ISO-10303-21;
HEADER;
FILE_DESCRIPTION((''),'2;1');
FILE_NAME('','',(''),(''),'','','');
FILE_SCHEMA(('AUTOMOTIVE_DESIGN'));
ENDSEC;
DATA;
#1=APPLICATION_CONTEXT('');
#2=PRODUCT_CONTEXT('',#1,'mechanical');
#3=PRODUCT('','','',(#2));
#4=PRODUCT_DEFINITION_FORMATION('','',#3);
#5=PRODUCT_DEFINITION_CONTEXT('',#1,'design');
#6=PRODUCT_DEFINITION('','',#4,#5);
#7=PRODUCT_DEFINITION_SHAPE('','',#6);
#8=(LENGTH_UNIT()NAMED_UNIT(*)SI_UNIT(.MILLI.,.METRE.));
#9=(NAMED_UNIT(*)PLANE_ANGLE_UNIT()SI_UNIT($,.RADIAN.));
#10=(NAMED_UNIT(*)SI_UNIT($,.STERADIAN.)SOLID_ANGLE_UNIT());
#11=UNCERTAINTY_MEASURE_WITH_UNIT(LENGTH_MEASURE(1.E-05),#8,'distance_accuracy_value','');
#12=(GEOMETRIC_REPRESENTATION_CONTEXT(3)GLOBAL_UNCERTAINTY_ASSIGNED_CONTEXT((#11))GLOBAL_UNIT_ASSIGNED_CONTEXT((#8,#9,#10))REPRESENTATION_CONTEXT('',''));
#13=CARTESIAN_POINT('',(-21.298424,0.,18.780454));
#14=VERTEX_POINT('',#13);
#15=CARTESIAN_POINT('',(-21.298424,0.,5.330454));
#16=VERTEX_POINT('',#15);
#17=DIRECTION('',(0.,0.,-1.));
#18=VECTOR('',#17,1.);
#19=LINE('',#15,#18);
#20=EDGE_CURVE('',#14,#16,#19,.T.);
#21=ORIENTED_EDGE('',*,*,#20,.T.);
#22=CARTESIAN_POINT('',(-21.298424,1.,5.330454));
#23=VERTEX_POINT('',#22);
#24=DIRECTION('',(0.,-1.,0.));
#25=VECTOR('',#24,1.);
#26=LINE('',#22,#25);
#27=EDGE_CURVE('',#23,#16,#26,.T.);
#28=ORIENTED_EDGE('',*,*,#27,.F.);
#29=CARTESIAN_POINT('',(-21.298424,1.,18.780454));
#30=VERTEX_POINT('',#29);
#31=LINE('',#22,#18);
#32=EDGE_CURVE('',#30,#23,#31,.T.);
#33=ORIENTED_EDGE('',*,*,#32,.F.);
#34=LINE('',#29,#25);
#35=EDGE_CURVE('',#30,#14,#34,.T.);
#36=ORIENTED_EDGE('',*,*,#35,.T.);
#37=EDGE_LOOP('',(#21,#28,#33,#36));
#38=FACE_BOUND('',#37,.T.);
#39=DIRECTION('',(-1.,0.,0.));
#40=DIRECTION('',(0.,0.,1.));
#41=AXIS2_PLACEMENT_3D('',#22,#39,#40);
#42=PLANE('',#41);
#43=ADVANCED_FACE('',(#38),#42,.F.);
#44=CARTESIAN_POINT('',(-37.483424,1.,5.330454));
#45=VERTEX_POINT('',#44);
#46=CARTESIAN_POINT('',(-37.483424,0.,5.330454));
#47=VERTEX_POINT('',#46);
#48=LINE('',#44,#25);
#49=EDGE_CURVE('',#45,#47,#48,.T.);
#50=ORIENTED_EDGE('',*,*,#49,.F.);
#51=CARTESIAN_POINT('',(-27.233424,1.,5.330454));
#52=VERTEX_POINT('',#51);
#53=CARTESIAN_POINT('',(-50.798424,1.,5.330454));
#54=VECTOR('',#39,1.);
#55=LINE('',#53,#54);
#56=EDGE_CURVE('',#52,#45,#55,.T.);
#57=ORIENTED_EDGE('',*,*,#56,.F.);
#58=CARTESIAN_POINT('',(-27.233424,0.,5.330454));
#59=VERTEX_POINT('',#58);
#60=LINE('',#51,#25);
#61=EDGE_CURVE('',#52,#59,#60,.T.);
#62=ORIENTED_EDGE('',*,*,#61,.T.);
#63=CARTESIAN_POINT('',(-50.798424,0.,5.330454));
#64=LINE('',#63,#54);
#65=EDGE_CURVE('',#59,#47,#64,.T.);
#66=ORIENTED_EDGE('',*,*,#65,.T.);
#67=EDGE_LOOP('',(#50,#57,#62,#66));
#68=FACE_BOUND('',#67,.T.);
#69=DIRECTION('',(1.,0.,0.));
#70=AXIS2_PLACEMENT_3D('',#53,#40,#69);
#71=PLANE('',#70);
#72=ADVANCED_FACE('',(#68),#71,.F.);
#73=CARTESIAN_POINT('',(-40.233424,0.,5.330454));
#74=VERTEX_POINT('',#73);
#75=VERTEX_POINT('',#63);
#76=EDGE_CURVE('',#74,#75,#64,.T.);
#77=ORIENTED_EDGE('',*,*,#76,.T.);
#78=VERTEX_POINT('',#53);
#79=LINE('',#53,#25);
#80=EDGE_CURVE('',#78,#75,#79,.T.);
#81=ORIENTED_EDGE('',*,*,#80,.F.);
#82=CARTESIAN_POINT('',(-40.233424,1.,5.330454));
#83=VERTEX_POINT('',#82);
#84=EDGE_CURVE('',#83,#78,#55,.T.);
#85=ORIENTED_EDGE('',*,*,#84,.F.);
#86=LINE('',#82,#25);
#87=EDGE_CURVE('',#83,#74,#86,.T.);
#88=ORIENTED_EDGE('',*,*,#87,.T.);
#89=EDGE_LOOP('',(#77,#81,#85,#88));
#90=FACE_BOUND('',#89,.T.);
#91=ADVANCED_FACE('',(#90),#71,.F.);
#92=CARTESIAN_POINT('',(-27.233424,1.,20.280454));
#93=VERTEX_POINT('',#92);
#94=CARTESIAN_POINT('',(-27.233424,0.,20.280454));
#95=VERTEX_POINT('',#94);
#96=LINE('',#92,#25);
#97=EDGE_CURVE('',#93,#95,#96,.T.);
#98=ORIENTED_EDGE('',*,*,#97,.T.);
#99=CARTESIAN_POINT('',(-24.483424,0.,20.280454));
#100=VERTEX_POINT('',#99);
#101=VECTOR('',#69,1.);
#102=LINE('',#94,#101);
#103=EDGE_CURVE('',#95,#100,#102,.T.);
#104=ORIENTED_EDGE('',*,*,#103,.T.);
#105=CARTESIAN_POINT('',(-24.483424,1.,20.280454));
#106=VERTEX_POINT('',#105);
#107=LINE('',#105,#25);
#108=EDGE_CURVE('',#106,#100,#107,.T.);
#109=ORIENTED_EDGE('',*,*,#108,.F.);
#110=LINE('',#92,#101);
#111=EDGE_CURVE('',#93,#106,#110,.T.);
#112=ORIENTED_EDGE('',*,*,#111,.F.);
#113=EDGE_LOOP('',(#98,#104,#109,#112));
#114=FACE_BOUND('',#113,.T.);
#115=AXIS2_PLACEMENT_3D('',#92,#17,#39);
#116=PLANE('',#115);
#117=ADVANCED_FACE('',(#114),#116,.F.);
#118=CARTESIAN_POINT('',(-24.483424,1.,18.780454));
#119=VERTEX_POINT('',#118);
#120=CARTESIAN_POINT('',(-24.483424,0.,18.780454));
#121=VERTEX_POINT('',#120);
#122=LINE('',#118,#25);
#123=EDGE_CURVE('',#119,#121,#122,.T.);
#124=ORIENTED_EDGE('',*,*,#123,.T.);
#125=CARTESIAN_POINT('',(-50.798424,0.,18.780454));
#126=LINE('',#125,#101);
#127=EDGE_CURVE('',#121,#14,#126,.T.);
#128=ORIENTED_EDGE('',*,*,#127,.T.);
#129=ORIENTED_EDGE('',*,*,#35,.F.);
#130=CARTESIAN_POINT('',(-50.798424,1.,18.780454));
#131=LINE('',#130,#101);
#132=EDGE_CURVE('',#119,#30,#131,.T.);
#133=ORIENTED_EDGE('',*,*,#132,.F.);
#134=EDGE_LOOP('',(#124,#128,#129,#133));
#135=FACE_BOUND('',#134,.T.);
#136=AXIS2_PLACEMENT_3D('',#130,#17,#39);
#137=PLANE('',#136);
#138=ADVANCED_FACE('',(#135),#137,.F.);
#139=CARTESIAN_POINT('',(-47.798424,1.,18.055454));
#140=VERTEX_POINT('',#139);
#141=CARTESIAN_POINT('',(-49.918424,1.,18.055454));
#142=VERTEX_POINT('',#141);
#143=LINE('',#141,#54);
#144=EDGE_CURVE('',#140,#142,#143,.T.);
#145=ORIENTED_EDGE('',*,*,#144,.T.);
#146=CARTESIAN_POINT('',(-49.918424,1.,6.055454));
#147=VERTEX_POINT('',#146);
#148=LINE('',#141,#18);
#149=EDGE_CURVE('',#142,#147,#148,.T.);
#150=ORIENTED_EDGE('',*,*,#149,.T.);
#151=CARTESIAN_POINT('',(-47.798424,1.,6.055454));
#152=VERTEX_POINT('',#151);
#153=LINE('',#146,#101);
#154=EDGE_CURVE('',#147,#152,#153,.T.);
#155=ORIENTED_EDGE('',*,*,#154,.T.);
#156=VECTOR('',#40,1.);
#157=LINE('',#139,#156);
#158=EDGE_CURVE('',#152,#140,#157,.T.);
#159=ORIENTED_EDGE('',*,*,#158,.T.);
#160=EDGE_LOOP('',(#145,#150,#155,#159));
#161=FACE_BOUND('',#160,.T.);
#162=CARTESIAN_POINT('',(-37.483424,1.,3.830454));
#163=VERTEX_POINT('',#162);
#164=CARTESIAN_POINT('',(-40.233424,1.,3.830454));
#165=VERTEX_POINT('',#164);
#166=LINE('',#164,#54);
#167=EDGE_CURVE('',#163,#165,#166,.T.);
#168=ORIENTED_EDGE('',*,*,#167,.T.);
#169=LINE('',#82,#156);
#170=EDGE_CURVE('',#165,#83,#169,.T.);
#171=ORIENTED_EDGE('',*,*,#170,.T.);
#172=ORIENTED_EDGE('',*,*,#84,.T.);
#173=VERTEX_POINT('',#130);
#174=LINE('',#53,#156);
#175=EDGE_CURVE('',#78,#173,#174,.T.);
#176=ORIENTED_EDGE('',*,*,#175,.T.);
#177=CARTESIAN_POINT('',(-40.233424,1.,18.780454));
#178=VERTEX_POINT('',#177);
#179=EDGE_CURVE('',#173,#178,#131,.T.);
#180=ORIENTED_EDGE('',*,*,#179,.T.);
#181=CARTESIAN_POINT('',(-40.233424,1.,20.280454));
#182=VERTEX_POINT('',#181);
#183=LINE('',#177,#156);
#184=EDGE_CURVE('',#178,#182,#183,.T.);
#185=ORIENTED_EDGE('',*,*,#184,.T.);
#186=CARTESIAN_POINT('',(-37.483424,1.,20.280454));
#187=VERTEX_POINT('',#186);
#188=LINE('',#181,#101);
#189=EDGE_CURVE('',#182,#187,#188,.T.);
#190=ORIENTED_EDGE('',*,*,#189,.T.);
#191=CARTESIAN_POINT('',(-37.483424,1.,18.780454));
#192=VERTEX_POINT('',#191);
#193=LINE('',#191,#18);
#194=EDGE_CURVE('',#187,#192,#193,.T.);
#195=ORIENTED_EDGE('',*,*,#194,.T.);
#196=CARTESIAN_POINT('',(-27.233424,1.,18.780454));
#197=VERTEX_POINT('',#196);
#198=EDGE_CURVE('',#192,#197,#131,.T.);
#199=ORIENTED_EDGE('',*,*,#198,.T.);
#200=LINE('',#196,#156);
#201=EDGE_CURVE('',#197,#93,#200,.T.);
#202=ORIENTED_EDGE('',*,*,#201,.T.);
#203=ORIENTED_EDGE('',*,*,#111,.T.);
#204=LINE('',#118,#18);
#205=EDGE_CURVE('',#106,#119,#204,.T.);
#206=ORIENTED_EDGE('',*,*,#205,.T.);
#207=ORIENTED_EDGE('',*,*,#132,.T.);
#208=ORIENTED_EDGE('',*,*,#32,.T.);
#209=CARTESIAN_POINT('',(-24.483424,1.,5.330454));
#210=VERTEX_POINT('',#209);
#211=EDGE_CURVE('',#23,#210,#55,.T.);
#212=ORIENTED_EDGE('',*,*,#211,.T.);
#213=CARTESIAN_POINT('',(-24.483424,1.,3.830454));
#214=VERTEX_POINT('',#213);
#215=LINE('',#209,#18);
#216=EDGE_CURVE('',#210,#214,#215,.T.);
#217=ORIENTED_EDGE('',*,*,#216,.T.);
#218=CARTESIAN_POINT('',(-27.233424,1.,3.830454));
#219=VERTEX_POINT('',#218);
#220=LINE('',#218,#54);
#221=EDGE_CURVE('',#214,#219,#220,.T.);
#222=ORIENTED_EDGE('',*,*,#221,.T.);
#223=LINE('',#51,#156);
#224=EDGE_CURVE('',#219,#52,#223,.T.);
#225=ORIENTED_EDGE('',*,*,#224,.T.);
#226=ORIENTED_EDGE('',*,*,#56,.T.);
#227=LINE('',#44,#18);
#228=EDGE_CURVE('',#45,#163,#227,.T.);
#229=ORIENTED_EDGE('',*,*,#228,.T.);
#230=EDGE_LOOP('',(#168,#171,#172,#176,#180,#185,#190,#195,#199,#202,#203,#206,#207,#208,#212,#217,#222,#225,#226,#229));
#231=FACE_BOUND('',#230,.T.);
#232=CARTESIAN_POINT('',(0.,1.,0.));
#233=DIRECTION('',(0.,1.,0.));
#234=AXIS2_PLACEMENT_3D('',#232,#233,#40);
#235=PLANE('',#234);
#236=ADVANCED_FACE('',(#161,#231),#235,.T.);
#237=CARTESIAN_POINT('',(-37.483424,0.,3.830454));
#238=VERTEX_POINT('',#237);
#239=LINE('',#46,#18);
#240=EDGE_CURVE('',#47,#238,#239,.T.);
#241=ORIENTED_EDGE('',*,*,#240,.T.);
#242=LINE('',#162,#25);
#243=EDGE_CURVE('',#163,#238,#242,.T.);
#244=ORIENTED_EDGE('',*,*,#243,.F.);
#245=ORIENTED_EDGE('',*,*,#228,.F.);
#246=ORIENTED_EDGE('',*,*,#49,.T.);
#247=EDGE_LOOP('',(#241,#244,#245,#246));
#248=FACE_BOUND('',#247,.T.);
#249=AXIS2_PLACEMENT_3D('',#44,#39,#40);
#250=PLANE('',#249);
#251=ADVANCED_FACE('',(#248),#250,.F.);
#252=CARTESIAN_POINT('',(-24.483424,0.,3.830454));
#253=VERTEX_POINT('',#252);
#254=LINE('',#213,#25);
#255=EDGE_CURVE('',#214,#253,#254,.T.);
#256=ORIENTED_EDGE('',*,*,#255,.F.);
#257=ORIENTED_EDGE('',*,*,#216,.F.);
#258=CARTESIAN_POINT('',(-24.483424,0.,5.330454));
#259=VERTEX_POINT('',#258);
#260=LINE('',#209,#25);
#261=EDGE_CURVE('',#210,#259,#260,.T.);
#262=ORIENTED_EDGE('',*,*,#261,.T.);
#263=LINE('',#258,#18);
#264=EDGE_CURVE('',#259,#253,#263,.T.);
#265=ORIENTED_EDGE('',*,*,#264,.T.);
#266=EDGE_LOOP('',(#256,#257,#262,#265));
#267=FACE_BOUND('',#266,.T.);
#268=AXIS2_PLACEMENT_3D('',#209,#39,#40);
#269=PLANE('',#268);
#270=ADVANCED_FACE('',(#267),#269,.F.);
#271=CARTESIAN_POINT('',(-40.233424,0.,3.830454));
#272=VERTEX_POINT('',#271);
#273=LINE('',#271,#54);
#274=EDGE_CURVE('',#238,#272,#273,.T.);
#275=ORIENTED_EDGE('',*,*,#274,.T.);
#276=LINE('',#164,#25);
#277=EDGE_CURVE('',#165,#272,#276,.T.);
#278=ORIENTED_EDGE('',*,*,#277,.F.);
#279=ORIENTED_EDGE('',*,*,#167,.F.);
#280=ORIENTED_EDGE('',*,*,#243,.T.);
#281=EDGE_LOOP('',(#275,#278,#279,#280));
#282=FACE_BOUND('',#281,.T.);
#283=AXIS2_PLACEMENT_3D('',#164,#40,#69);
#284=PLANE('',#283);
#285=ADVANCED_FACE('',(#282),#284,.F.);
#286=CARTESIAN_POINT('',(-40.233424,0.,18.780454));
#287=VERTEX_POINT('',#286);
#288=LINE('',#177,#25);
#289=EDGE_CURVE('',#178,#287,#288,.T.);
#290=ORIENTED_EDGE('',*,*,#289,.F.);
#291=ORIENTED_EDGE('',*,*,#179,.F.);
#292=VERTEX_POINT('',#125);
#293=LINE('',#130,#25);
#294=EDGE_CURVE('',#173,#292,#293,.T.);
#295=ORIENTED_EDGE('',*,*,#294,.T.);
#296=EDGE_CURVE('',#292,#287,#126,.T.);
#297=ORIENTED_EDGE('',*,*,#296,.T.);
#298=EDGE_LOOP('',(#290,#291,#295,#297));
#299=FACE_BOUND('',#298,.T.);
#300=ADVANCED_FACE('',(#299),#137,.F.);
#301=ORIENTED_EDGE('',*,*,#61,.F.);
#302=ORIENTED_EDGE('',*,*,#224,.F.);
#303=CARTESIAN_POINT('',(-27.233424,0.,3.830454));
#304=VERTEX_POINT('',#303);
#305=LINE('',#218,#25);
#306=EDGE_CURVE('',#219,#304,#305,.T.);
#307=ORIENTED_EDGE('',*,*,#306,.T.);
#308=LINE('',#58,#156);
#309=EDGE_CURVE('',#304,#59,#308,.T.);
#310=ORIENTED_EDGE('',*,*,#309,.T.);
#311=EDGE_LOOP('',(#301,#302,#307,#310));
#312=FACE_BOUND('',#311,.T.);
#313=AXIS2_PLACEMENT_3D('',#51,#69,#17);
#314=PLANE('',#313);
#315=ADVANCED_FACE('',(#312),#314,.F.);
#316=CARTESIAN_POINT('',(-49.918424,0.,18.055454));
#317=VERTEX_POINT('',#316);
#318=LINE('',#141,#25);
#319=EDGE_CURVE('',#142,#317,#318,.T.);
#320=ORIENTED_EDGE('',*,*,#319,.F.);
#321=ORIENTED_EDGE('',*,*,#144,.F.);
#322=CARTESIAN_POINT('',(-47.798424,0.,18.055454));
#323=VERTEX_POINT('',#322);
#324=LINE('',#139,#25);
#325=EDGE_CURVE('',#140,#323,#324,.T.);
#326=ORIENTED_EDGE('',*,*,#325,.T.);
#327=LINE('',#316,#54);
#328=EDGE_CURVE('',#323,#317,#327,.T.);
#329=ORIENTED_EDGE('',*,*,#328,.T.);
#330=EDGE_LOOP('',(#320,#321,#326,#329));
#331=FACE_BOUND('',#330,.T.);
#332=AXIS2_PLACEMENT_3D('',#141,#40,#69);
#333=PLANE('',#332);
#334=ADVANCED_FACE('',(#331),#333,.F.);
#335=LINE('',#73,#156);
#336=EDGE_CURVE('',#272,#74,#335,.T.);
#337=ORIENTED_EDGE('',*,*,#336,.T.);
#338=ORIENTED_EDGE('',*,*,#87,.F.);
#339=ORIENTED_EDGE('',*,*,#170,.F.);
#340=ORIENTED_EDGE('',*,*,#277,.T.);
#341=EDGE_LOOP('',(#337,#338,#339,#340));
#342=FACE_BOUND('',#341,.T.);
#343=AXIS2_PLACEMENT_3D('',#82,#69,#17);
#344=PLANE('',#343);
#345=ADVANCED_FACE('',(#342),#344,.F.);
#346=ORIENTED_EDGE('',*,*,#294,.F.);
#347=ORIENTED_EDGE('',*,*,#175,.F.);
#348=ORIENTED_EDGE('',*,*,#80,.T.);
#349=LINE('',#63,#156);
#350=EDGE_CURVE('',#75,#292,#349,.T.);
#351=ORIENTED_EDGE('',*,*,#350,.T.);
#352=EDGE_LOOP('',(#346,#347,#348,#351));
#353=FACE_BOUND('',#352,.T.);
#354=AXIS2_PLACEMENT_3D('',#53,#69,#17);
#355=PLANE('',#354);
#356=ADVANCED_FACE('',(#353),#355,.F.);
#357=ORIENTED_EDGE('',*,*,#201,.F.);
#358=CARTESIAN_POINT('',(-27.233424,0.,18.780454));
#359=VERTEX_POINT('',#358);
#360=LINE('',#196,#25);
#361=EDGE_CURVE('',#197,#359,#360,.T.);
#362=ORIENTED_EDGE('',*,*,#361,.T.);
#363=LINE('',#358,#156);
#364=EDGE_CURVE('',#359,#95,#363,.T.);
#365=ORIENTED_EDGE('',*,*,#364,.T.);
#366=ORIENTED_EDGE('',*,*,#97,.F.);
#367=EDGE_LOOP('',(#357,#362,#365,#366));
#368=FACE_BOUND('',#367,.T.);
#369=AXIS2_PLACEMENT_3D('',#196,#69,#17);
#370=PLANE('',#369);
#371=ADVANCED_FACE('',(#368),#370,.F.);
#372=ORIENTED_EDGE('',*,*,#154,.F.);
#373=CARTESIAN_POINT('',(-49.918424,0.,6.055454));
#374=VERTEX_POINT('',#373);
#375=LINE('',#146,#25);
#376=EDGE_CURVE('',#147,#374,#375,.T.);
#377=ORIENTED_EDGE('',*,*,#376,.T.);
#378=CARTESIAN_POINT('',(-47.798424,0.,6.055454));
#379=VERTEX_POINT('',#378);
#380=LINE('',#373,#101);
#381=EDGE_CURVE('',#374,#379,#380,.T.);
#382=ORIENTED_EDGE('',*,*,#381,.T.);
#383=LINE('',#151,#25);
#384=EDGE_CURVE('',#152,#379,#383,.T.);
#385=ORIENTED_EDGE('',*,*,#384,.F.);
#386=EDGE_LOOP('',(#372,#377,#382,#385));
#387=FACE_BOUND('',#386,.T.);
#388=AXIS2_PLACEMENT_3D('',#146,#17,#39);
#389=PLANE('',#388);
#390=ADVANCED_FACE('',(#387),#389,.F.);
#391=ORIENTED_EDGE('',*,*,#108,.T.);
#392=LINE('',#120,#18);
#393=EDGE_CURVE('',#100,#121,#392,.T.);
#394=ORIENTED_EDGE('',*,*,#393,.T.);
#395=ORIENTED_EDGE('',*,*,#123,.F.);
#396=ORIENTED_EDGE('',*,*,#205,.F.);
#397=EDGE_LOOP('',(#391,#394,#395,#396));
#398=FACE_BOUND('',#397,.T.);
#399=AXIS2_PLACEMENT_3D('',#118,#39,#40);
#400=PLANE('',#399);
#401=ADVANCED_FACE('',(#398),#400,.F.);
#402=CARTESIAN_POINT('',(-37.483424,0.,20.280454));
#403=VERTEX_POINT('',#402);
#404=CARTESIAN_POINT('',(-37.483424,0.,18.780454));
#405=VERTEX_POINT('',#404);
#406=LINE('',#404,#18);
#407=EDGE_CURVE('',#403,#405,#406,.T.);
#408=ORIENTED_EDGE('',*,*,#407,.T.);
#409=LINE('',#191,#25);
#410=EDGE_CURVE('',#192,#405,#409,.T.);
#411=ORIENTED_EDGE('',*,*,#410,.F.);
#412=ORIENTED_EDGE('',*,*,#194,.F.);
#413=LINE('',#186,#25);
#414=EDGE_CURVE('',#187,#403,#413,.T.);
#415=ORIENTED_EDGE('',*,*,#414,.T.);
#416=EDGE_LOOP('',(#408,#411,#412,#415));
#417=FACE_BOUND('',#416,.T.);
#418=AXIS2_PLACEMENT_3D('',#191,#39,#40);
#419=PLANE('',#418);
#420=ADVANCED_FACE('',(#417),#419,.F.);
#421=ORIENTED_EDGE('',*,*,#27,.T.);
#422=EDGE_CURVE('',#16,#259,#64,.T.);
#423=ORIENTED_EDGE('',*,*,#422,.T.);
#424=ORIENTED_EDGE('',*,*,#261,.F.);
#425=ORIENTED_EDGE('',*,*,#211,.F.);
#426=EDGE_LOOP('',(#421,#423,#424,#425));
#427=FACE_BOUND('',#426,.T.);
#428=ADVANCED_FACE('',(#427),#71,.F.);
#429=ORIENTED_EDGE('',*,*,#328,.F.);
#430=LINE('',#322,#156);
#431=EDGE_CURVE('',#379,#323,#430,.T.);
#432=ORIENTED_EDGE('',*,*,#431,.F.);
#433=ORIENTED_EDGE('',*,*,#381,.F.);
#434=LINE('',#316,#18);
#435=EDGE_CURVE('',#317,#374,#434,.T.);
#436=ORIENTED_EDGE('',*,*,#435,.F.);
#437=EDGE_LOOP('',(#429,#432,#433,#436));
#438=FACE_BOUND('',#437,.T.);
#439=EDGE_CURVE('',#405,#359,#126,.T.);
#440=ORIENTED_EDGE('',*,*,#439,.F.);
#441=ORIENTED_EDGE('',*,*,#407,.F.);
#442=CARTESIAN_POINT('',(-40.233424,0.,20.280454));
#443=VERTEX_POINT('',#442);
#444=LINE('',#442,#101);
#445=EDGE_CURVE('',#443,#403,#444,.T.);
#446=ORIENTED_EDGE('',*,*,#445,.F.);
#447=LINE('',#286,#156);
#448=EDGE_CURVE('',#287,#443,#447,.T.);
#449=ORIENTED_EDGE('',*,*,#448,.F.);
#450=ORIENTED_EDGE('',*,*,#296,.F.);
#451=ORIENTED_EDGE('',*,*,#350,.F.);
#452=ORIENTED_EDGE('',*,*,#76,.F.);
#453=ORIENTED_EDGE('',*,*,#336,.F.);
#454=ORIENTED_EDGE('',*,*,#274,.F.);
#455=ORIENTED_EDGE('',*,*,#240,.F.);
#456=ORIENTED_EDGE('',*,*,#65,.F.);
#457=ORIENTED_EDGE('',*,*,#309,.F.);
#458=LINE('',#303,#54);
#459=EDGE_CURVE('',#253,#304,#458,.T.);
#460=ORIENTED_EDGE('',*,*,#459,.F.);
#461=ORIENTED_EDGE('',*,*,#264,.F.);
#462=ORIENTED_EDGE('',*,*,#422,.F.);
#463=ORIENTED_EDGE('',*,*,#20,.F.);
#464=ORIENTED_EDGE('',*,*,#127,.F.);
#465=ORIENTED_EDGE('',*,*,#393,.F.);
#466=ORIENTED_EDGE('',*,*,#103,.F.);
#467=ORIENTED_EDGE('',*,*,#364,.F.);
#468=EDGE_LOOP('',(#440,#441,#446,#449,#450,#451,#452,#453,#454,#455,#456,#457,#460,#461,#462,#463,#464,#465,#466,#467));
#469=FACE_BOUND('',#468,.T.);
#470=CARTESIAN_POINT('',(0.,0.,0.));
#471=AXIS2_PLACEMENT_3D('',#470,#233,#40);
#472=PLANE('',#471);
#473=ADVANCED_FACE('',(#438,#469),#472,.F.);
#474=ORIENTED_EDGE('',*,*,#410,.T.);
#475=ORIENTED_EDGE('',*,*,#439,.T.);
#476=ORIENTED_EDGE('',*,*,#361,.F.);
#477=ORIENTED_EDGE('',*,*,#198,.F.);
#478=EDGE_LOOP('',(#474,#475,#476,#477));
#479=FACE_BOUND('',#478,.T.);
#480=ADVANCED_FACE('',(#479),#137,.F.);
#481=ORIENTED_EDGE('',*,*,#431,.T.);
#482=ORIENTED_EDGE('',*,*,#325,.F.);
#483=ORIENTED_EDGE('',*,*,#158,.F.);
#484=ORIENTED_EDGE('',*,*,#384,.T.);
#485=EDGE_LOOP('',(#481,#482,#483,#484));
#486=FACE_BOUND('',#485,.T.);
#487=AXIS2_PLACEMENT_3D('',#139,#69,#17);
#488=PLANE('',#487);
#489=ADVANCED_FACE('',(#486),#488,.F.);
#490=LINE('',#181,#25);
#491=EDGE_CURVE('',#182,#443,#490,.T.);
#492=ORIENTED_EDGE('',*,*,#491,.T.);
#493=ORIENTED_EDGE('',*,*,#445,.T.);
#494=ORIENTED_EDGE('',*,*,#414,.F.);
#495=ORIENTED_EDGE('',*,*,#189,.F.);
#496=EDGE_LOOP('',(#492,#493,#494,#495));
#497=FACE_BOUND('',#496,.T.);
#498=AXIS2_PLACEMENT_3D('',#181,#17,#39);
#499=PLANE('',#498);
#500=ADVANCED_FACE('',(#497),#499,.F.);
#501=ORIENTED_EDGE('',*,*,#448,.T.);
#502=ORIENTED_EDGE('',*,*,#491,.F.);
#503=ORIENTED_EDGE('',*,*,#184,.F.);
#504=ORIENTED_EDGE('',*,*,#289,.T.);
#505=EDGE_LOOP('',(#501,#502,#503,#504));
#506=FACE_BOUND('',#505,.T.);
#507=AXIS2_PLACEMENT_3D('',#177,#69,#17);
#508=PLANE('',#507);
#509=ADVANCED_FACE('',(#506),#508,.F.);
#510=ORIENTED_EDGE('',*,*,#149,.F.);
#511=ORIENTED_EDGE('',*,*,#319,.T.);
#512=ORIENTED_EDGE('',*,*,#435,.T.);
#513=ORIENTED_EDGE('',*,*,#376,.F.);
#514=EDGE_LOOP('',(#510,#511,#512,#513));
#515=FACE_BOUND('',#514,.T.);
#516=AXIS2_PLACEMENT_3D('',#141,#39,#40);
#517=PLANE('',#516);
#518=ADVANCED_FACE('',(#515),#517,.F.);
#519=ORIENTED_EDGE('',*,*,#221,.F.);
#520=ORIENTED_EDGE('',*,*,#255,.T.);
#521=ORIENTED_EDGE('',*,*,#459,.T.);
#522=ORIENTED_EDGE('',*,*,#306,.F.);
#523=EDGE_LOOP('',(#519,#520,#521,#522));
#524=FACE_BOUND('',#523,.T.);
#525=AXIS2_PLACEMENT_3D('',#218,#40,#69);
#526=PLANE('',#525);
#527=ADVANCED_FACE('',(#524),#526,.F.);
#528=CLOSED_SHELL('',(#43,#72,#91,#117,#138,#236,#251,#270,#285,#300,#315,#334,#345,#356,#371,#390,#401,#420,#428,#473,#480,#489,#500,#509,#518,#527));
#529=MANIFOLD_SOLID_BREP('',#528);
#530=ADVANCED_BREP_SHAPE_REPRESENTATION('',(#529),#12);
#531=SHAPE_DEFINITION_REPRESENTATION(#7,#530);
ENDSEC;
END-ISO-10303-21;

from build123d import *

# Parameters (mm, degrees)
SKETCH1_W              = 29.5
SKETCH1_H              = 13.45
BOSS_EXTRUDE1_DEPTH    = 1
SKETCH2_W              = 2.75
SKETCH2_H              = 1.5
BOSS_EXTRUDE2_DEPTH    = 1
SKETCH3_W              = 2.12
SKETCH3_H              = 12
ADAPTER_PCB_HOLE_DEPTH = 1


with BuildPart() as part:
    # Sketch1 → Boss-Extrude1 (new body)
    with BuildSketch(Plane(origin=(0, 0, 0), x_dir=(1, 0, 0), z_dir=(0, 1, 0))):
        with Locations((-36.048423651, -12.055454233)):
            Rectangle(SKETCH1_W, SKETCH1_H)
    extrude(amount=BOSS_EXTRUDE1_DEPTH)

    # Sketch2 → Boss-Extrude2 (add)
    with BuildSketch(Plane(origin=(0, 0, 0), x_dir=(1, 0, 0), z_dir=(0, 1, 0))):
        with Locations((-38.858423651, -4.580454233)):
            Rectangle(SKETCH2_W, SKETCH2_H)
        with Locations((-38.858423651, -19.530454233)):
            Rectangle(SKETCH2_W, SKETCH2_H)
        with Locations((-25.858423651, -4.580454233)):
            Rectangle(SKETCH2_W, SKETCH2_H)
        with Locations((-25.858423651, -19.530454233)):
            Rectangle(SKETCH2_W, SKETCH2_H)
    extrude(amount=BOSS_EXTRUDE2_DEPTH)

    # Sketch3 → adapter_PCB_hole (cut)
    with BuildSketch(Plane(origin=(0, 0, 0), x_dir=(-1, 0, 0), z_dir=(0, -1, 0))):
        with Locations((48.858423651, -12.055454233)):
            Rectangle(SKETCH3_W, SKETCH3_H)
    extrude(amount=-ADAPTER_PCB_HOLE_DEPTH, mode=Mode.SUBTRACT)


solid = part.part
